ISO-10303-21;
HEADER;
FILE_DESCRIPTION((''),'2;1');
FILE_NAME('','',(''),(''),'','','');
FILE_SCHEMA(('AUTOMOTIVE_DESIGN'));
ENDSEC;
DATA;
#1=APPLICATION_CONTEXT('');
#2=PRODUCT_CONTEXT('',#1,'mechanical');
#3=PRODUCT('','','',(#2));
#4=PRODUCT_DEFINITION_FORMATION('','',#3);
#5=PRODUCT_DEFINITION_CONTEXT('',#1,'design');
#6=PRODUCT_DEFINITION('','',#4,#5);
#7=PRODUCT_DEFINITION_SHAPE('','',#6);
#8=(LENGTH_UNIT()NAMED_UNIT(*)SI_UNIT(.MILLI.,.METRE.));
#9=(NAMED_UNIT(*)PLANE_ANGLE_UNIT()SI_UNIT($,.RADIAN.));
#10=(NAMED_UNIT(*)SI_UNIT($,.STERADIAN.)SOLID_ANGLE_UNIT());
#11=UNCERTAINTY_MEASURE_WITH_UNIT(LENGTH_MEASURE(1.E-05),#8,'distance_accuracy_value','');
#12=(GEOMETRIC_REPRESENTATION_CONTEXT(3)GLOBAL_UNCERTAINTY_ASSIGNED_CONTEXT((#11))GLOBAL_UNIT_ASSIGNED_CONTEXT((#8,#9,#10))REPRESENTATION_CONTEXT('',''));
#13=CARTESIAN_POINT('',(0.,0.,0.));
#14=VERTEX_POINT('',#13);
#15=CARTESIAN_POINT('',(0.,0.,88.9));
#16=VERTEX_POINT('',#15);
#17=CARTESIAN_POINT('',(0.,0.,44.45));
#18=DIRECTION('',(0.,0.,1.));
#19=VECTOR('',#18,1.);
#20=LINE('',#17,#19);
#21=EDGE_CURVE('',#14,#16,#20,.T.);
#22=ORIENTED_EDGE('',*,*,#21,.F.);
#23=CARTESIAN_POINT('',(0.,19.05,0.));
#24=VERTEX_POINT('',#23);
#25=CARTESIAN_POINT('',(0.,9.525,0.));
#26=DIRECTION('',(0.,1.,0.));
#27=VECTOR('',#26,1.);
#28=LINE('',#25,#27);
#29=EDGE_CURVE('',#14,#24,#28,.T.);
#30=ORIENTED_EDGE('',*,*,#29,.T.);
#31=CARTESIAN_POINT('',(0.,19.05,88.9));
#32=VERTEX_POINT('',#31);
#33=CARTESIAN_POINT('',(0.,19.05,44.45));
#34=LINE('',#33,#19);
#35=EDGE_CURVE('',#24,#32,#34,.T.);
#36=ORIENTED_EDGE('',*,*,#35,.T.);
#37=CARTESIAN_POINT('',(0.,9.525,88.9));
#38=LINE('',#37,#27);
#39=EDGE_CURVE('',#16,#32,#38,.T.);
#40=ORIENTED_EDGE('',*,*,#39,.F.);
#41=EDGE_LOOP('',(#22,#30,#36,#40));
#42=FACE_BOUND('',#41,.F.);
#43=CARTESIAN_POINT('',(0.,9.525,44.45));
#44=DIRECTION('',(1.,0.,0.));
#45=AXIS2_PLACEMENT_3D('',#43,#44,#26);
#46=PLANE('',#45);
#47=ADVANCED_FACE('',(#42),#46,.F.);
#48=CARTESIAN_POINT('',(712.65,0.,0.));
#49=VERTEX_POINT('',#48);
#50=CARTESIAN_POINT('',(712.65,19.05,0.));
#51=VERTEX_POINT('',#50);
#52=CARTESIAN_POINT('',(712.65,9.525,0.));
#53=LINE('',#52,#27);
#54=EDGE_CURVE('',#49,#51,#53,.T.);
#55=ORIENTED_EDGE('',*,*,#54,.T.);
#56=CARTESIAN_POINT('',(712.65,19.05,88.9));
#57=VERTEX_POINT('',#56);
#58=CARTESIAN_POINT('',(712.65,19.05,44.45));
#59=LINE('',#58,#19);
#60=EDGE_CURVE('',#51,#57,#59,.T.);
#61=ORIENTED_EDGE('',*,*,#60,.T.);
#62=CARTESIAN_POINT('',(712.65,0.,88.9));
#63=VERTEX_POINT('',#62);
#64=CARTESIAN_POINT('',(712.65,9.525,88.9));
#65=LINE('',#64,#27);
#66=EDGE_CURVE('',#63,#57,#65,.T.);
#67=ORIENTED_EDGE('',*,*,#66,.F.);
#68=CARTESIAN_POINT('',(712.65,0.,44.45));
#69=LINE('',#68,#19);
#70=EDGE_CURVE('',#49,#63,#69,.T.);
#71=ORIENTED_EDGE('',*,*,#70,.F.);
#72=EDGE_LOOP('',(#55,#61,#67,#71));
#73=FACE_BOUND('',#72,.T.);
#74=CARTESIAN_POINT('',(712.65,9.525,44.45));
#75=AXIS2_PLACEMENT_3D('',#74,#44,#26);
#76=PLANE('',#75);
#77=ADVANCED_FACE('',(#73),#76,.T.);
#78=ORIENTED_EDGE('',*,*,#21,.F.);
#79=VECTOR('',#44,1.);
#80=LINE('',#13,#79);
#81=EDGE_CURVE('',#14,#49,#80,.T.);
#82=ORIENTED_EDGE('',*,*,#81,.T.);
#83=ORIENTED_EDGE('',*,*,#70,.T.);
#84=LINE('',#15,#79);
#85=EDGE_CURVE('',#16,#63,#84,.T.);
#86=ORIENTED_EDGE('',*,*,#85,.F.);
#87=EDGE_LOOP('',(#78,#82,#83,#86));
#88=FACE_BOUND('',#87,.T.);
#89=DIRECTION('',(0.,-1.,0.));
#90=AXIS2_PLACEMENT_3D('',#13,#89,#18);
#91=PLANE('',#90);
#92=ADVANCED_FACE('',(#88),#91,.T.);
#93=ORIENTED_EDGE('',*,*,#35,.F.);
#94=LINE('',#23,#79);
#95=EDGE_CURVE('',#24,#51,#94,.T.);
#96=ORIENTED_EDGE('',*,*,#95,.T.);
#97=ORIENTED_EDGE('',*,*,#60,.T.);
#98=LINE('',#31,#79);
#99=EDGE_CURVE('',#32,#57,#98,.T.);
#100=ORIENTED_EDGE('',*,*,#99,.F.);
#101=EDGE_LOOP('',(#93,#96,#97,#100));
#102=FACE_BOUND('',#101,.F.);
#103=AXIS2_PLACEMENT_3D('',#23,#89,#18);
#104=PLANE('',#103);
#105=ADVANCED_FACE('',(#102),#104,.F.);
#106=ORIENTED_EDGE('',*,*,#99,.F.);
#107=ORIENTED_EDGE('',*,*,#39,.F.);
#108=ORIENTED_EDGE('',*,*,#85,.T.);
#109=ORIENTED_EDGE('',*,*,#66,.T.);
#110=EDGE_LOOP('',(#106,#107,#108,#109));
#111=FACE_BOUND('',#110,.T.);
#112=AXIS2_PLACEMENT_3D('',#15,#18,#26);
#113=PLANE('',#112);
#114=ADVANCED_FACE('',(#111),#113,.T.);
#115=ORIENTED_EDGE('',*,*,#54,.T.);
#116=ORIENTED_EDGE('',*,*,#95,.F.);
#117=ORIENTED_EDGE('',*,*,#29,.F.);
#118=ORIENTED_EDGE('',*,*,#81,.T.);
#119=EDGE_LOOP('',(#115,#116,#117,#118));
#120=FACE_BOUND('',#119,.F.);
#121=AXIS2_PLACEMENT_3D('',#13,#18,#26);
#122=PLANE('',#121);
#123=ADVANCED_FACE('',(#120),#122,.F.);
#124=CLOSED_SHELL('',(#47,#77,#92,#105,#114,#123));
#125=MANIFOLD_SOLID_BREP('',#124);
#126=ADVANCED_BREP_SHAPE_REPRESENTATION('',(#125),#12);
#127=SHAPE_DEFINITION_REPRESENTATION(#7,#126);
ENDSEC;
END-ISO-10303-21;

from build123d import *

# Parameters (mm, degrees)
SKETCH_W  = 19.05
SKETCH_H  = 88.9
PAD_DEPTH = 712.65


with BuildPart() as part:
    # Sketch → Pad (new body)
    with BuildSketch(Plane.YZ):
        with Locations((9.525, 44.45)):
            Rectangle(SKETCH_W, SKETCH_H)
    extrude(amount=PAD_DEPTH)


solid = part.part
